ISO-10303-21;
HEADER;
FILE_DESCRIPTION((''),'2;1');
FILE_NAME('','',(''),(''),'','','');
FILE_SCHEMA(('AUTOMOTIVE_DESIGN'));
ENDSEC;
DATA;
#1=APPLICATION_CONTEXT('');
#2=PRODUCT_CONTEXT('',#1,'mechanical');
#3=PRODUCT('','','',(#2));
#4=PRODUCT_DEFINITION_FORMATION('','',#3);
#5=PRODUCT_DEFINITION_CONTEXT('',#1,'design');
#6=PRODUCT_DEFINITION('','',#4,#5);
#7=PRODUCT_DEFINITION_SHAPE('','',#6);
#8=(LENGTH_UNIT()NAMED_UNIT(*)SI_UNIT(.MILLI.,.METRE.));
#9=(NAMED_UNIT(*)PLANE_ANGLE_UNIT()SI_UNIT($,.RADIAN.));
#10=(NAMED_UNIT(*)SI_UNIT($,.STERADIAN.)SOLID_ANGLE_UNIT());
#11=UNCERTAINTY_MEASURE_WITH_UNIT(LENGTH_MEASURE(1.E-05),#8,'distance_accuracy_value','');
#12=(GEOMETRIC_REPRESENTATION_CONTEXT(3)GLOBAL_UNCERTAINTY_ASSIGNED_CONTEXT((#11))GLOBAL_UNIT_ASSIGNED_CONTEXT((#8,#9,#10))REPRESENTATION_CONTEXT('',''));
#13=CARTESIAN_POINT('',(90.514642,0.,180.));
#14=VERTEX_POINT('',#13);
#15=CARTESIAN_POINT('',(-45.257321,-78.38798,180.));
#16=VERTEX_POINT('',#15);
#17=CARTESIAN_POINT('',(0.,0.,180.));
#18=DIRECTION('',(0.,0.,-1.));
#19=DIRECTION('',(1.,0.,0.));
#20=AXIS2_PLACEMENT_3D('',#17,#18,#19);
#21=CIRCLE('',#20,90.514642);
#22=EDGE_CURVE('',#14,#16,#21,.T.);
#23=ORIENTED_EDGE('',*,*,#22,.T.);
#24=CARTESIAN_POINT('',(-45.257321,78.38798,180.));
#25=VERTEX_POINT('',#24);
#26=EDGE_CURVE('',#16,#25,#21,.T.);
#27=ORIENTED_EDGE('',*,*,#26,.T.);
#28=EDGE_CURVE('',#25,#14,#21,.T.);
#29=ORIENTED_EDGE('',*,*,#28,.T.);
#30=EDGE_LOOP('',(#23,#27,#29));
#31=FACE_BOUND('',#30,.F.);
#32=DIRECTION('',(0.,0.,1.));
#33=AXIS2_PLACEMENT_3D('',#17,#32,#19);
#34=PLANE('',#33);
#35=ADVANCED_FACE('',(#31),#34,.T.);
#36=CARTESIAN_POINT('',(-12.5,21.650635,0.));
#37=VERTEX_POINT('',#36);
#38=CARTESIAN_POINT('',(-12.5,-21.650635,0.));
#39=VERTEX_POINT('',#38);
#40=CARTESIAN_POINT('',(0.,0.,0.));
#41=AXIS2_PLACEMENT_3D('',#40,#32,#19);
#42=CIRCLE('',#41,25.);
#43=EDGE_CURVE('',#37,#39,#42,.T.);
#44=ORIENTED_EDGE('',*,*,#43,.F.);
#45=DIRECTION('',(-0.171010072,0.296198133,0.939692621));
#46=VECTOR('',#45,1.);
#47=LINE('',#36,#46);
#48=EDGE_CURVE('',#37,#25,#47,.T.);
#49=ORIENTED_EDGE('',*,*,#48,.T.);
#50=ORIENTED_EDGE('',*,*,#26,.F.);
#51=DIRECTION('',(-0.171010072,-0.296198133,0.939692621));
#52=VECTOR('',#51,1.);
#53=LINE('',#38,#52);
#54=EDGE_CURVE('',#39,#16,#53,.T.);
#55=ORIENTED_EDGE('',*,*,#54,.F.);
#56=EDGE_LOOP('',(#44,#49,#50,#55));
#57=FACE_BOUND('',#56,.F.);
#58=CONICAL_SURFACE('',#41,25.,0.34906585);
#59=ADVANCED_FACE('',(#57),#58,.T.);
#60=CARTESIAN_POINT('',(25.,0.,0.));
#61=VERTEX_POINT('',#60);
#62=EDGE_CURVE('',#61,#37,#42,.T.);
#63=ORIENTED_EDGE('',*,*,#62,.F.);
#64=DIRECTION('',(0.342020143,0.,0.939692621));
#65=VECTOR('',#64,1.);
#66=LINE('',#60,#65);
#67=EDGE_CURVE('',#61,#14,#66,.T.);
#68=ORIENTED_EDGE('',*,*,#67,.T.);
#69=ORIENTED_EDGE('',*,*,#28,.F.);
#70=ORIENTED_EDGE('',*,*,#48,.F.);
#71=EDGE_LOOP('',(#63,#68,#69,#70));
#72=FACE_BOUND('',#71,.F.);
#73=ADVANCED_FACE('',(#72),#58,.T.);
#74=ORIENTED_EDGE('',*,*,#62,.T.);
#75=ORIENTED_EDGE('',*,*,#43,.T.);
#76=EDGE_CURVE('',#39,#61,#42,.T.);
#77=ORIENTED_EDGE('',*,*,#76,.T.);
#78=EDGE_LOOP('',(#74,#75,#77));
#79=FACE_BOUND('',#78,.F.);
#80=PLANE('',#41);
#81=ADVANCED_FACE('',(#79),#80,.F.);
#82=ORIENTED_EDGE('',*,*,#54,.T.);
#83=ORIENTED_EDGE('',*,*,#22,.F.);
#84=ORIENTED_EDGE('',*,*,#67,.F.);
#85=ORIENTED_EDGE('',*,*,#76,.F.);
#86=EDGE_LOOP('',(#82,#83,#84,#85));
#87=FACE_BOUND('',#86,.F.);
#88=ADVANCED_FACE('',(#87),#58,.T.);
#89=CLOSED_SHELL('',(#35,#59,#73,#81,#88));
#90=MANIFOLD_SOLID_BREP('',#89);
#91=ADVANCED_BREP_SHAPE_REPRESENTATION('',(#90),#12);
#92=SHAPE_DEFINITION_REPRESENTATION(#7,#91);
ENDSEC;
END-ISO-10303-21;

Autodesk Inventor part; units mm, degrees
ref_plane "YZ Plane" through (0, 0, 0) normal (1, 0, 0) x (0, 1, 0)
ref_plane "XZ Plane" through (0, 0, 0) normal (0, 1, 0) x (-1, 0, 0)
ref_plane "XY Plane" through (0, 0, 0) normal (0, 0, 1) x (1, 0, 0)
sketch "Sketch1" plane through (0, 0, 0) normal (0, 0, 1) x (1, 0, 0)
  circle A0 centre (0, 0) radius 25
  dimension "d0" = 50
extrude "Extrusion1" add sketch "Sketch1" along normal blind 180 draft 20
properties part number "flash"
